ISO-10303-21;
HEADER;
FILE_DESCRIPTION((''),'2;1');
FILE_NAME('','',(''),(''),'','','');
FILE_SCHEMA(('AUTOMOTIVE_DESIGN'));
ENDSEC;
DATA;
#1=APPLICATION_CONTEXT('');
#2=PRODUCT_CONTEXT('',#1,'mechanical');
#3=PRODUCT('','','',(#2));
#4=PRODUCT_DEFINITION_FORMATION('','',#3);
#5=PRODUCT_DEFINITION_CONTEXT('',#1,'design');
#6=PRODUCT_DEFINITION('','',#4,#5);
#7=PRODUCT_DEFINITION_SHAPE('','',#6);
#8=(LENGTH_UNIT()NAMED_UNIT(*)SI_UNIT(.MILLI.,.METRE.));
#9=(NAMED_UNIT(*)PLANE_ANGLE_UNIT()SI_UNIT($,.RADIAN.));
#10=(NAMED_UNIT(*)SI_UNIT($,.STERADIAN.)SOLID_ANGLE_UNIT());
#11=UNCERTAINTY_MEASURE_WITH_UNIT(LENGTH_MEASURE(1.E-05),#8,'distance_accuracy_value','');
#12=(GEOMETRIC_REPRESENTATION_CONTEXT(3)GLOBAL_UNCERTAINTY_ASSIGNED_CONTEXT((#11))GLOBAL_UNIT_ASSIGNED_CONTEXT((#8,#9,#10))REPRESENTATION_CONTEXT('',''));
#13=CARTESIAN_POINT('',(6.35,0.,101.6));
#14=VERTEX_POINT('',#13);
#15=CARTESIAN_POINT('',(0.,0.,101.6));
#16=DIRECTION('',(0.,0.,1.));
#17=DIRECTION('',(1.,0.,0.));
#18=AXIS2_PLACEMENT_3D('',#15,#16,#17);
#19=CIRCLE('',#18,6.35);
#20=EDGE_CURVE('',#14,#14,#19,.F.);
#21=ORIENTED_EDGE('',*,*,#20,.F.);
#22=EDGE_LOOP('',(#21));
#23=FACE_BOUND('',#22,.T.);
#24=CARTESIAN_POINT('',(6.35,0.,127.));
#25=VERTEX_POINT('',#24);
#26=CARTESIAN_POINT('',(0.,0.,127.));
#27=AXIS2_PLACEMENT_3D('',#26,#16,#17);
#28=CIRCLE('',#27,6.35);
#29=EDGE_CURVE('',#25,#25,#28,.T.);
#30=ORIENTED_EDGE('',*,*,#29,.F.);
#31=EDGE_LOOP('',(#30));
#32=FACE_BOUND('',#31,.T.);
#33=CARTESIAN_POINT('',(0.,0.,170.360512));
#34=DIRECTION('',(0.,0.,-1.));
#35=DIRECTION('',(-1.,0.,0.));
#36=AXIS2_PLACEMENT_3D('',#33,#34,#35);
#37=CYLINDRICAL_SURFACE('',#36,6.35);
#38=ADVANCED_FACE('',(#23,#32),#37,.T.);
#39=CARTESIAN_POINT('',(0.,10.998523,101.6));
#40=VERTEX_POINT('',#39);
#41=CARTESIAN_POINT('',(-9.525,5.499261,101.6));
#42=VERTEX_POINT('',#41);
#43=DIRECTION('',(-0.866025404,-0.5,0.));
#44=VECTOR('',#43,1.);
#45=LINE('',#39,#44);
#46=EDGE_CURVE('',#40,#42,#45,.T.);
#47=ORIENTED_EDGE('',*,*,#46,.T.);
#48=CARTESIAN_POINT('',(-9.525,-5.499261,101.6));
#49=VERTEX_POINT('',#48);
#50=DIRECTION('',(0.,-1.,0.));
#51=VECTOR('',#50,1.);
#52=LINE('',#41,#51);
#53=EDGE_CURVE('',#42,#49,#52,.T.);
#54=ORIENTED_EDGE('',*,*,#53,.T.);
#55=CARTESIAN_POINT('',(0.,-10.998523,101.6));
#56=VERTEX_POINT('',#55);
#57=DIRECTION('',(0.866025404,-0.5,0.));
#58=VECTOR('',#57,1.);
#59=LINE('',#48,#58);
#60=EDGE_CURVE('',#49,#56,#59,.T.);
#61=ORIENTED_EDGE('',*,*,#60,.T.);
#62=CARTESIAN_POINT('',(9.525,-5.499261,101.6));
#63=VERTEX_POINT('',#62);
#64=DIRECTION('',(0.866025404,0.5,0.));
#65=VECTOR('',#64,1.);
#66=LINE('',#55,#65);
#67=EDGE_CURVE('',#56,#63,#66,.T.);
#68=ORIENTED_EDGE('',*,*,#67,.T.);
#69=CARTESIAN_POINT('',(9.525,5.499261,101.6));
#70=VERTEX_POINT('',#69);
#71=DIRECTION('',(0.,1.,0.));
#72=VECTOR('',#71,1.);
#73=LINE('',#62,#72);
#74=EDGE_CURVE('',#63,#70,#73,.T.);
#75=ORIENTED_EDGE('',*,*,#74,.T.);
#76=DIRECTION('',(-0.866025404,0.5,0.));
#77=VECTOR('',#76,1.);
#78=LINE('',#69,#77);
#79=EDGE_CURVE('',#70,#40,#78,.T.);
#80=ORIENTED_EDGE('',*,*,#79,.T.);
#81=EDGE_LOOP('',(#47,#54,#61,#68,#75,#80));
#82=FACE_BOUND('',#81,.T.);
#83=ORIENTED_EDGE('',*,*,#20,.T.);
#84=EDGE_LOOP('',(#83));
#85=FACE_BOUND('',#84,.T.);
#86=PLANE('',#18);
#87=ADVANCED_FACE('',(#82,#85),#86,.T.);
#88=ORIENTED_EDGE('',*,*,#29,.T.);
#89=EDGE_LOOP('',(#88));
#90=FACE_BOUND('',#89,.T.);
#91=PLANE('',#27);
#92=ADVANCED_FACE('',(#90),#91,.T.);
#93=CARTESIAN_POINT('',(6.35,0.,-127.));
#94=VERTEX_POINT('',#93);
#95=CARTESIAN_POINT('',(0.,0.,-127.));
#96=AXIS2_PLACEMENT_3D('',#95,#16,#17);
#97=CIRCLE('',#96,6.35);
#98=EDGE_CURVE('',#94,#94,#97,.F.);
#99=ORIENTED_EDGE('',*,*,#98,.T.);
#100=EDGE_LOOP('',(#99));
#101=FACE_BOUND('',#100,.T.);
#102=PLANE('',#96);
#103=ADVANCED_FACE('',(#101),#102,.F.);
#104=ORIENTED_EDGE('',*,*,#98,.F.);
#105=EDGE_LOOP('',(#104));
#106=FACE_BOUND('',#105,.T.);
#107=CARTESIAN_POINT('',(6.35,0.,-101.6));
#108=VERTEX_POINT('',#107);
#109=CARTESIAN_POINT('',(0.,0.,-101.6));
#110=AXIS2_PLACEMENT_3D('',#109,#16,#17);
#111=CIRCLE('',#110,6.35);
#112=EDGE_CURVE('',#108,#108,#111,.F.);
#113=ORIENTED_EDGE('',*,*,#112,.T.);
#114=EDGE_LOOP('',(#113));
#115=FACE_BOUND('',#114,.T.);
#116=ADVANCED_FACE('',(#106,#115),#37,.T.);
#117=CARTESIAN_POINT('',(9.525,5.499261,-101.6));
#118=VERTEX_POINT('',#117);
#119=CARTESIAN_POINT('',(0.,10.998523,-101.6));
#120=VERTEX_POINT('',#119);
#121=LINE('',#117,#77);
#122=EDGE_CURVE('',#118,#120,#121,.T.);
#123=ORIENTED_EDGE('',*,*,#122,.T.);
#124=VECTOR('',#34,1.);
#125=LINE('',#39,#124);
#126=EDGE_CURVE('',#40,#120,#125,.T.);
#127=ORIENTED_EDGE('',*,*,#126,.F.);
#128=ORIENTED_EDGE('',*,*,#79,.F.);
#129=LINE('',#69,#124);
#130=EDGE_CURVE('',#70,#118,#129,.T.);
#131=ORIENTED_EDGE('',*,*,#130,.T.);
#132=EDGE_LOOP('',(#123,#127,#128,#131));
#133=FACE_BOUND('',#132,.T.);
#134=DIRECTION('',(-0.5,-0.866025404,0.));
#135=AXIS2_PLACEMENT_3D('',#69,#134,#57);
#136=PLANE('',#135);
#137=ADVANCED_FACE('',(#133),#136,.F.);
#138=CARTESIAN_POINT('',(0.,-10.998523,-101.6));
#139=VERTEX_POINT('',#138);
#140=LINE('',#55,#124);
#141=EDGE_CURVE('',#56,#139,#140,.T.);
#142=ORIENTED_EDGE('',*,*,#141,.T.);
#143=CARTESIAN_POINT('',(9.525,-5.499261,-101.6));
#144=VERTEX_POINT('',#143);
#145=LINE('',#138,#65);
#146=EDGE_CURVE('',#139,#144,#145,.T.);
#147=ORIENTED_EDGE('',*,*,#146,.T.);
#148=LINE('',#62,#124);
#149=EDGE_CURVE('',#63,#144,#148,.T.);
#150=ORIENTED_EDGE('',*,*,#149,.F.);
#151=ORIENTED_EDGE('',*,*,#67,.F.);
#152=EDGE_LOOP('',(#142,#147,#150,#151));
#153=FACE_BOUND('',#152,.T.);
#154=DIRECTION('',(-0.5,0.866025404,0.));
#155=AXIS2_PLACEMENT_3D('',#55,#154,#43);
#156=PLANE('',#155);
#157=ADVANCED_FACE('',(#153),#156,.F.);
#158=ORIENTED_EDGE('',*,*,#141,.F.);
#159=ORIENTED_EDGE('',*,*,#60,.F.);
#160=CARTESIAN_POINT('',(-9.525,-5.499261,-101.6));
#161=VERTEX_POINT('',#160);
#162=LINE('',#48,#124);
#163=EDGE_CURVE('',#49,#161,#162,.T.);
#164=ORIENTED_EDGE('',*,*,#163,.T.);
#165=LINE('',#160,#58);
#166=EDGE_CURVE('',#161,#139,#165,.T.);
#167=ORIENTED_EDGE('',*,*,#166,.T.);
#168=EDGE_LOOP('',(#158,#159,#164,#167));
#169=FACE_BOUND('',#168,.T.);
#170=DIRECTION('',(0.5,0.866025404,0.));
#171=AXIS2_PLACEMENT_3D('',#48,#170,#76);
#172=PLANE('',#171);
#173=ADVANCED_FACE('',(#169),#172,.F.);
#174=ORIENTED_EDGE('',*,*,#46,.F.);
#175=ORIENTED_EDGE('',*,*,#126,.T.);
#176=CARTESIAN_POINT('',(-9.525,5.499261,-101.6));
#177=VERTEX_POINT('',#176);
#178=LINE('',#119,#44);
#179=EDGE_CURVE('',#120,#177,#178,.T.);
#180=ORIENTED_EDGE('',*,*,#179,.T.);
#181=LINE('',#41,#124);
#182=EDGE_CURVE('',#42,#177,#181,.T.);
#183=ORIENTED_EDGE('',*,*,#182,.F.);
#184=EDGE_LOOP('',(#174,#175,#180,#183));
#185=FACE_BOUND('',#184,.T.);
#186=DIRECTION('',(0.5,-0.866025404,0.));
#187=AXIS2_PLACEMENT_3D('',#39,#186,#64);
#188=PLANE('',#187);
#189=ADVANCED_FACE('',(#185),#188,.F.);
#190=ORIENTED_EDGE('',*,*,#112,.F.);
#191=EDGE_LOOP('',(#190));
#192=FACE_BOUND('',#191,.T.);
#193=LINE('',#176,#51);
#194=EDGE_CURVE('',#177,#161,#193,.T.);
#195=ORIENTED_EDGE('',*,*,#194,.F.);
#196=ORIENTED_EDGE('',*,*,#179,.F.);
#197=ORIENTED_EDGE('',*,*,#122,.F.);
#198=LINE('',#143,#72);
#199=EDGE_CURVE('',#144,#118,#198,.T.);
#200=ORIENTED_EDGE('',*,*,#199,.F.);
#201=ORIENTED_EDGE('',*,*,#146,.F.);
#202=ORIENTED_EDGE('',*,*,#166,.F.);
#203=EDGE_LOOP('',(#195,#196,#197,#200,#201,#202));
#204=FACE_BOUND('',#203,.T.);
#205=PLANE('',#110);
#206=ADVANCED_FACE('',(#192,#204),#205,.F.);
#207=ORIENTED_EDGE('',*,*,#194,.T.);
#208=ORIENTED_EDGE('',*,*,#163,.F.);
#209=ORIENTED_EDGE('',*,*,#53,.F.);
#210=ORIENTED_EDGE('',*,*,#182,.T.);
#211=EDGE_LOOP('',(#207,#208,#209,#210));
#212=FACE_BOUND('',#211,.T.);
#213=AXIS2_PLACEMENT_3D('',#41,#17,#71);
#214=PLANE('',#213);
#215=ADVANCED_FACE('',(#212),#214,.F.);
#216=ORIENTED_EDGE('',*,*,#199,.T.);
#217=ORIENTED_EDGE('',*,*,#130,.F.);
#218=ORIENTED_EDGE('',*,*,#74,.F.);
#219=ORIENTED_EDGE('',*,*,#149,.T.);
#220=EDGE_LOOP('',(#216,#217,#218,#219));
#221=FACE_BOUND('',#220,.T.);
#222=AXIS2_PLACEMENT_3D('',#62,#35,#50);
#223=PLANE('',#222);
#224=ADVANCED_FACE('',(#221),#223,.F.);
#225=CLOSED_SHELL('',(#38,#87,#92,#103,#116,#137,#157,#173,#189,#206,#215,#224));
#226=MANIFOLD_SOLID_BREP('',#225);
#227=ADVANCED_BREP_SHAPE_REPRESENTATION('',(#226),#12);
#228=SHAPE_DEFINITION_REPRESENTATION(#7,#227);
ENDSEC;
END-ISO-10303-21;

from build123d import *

# Parameters (mm, degrees)
BOSS_EXTRUDE1_DEPTH      = 101.6
SKETCH2_R                = 6.35
BOSS_EXTRUDE2_DEPTH      = 127
BOSS_EXTRUDE2_DEPTH_BACK = 127


with BuildPart() as part:
    # Sketch1 → Boss-Extrude1 (new body, symmetric)
    with BuildSketch(Plane.XY):
        Polygon((0, 10.998522628), (-9.525, 5.499261314), (-9.525, -5.499261314), (0, -10.998522628), (9.525, -5.499261314), (9.525, 5.499261314), align=None)
    extrude(amount=BOSS_EXTRUDE1_DEPTH, both=True)

    # Sketch2 → Boss-Extrude2 (add, two sides)
    with BuildSketch(Plane.XY) as boss_extrude2_sk:
        Circle(SKETCH2_R)
    extrude(amount=BOSS_EXTRUDE2_DEPTH)
    extrude(boss_extrude2_sk.sketch, amount=-BOSS_EXTRUDE2_DEPTH_BACK)


solid = part.part
